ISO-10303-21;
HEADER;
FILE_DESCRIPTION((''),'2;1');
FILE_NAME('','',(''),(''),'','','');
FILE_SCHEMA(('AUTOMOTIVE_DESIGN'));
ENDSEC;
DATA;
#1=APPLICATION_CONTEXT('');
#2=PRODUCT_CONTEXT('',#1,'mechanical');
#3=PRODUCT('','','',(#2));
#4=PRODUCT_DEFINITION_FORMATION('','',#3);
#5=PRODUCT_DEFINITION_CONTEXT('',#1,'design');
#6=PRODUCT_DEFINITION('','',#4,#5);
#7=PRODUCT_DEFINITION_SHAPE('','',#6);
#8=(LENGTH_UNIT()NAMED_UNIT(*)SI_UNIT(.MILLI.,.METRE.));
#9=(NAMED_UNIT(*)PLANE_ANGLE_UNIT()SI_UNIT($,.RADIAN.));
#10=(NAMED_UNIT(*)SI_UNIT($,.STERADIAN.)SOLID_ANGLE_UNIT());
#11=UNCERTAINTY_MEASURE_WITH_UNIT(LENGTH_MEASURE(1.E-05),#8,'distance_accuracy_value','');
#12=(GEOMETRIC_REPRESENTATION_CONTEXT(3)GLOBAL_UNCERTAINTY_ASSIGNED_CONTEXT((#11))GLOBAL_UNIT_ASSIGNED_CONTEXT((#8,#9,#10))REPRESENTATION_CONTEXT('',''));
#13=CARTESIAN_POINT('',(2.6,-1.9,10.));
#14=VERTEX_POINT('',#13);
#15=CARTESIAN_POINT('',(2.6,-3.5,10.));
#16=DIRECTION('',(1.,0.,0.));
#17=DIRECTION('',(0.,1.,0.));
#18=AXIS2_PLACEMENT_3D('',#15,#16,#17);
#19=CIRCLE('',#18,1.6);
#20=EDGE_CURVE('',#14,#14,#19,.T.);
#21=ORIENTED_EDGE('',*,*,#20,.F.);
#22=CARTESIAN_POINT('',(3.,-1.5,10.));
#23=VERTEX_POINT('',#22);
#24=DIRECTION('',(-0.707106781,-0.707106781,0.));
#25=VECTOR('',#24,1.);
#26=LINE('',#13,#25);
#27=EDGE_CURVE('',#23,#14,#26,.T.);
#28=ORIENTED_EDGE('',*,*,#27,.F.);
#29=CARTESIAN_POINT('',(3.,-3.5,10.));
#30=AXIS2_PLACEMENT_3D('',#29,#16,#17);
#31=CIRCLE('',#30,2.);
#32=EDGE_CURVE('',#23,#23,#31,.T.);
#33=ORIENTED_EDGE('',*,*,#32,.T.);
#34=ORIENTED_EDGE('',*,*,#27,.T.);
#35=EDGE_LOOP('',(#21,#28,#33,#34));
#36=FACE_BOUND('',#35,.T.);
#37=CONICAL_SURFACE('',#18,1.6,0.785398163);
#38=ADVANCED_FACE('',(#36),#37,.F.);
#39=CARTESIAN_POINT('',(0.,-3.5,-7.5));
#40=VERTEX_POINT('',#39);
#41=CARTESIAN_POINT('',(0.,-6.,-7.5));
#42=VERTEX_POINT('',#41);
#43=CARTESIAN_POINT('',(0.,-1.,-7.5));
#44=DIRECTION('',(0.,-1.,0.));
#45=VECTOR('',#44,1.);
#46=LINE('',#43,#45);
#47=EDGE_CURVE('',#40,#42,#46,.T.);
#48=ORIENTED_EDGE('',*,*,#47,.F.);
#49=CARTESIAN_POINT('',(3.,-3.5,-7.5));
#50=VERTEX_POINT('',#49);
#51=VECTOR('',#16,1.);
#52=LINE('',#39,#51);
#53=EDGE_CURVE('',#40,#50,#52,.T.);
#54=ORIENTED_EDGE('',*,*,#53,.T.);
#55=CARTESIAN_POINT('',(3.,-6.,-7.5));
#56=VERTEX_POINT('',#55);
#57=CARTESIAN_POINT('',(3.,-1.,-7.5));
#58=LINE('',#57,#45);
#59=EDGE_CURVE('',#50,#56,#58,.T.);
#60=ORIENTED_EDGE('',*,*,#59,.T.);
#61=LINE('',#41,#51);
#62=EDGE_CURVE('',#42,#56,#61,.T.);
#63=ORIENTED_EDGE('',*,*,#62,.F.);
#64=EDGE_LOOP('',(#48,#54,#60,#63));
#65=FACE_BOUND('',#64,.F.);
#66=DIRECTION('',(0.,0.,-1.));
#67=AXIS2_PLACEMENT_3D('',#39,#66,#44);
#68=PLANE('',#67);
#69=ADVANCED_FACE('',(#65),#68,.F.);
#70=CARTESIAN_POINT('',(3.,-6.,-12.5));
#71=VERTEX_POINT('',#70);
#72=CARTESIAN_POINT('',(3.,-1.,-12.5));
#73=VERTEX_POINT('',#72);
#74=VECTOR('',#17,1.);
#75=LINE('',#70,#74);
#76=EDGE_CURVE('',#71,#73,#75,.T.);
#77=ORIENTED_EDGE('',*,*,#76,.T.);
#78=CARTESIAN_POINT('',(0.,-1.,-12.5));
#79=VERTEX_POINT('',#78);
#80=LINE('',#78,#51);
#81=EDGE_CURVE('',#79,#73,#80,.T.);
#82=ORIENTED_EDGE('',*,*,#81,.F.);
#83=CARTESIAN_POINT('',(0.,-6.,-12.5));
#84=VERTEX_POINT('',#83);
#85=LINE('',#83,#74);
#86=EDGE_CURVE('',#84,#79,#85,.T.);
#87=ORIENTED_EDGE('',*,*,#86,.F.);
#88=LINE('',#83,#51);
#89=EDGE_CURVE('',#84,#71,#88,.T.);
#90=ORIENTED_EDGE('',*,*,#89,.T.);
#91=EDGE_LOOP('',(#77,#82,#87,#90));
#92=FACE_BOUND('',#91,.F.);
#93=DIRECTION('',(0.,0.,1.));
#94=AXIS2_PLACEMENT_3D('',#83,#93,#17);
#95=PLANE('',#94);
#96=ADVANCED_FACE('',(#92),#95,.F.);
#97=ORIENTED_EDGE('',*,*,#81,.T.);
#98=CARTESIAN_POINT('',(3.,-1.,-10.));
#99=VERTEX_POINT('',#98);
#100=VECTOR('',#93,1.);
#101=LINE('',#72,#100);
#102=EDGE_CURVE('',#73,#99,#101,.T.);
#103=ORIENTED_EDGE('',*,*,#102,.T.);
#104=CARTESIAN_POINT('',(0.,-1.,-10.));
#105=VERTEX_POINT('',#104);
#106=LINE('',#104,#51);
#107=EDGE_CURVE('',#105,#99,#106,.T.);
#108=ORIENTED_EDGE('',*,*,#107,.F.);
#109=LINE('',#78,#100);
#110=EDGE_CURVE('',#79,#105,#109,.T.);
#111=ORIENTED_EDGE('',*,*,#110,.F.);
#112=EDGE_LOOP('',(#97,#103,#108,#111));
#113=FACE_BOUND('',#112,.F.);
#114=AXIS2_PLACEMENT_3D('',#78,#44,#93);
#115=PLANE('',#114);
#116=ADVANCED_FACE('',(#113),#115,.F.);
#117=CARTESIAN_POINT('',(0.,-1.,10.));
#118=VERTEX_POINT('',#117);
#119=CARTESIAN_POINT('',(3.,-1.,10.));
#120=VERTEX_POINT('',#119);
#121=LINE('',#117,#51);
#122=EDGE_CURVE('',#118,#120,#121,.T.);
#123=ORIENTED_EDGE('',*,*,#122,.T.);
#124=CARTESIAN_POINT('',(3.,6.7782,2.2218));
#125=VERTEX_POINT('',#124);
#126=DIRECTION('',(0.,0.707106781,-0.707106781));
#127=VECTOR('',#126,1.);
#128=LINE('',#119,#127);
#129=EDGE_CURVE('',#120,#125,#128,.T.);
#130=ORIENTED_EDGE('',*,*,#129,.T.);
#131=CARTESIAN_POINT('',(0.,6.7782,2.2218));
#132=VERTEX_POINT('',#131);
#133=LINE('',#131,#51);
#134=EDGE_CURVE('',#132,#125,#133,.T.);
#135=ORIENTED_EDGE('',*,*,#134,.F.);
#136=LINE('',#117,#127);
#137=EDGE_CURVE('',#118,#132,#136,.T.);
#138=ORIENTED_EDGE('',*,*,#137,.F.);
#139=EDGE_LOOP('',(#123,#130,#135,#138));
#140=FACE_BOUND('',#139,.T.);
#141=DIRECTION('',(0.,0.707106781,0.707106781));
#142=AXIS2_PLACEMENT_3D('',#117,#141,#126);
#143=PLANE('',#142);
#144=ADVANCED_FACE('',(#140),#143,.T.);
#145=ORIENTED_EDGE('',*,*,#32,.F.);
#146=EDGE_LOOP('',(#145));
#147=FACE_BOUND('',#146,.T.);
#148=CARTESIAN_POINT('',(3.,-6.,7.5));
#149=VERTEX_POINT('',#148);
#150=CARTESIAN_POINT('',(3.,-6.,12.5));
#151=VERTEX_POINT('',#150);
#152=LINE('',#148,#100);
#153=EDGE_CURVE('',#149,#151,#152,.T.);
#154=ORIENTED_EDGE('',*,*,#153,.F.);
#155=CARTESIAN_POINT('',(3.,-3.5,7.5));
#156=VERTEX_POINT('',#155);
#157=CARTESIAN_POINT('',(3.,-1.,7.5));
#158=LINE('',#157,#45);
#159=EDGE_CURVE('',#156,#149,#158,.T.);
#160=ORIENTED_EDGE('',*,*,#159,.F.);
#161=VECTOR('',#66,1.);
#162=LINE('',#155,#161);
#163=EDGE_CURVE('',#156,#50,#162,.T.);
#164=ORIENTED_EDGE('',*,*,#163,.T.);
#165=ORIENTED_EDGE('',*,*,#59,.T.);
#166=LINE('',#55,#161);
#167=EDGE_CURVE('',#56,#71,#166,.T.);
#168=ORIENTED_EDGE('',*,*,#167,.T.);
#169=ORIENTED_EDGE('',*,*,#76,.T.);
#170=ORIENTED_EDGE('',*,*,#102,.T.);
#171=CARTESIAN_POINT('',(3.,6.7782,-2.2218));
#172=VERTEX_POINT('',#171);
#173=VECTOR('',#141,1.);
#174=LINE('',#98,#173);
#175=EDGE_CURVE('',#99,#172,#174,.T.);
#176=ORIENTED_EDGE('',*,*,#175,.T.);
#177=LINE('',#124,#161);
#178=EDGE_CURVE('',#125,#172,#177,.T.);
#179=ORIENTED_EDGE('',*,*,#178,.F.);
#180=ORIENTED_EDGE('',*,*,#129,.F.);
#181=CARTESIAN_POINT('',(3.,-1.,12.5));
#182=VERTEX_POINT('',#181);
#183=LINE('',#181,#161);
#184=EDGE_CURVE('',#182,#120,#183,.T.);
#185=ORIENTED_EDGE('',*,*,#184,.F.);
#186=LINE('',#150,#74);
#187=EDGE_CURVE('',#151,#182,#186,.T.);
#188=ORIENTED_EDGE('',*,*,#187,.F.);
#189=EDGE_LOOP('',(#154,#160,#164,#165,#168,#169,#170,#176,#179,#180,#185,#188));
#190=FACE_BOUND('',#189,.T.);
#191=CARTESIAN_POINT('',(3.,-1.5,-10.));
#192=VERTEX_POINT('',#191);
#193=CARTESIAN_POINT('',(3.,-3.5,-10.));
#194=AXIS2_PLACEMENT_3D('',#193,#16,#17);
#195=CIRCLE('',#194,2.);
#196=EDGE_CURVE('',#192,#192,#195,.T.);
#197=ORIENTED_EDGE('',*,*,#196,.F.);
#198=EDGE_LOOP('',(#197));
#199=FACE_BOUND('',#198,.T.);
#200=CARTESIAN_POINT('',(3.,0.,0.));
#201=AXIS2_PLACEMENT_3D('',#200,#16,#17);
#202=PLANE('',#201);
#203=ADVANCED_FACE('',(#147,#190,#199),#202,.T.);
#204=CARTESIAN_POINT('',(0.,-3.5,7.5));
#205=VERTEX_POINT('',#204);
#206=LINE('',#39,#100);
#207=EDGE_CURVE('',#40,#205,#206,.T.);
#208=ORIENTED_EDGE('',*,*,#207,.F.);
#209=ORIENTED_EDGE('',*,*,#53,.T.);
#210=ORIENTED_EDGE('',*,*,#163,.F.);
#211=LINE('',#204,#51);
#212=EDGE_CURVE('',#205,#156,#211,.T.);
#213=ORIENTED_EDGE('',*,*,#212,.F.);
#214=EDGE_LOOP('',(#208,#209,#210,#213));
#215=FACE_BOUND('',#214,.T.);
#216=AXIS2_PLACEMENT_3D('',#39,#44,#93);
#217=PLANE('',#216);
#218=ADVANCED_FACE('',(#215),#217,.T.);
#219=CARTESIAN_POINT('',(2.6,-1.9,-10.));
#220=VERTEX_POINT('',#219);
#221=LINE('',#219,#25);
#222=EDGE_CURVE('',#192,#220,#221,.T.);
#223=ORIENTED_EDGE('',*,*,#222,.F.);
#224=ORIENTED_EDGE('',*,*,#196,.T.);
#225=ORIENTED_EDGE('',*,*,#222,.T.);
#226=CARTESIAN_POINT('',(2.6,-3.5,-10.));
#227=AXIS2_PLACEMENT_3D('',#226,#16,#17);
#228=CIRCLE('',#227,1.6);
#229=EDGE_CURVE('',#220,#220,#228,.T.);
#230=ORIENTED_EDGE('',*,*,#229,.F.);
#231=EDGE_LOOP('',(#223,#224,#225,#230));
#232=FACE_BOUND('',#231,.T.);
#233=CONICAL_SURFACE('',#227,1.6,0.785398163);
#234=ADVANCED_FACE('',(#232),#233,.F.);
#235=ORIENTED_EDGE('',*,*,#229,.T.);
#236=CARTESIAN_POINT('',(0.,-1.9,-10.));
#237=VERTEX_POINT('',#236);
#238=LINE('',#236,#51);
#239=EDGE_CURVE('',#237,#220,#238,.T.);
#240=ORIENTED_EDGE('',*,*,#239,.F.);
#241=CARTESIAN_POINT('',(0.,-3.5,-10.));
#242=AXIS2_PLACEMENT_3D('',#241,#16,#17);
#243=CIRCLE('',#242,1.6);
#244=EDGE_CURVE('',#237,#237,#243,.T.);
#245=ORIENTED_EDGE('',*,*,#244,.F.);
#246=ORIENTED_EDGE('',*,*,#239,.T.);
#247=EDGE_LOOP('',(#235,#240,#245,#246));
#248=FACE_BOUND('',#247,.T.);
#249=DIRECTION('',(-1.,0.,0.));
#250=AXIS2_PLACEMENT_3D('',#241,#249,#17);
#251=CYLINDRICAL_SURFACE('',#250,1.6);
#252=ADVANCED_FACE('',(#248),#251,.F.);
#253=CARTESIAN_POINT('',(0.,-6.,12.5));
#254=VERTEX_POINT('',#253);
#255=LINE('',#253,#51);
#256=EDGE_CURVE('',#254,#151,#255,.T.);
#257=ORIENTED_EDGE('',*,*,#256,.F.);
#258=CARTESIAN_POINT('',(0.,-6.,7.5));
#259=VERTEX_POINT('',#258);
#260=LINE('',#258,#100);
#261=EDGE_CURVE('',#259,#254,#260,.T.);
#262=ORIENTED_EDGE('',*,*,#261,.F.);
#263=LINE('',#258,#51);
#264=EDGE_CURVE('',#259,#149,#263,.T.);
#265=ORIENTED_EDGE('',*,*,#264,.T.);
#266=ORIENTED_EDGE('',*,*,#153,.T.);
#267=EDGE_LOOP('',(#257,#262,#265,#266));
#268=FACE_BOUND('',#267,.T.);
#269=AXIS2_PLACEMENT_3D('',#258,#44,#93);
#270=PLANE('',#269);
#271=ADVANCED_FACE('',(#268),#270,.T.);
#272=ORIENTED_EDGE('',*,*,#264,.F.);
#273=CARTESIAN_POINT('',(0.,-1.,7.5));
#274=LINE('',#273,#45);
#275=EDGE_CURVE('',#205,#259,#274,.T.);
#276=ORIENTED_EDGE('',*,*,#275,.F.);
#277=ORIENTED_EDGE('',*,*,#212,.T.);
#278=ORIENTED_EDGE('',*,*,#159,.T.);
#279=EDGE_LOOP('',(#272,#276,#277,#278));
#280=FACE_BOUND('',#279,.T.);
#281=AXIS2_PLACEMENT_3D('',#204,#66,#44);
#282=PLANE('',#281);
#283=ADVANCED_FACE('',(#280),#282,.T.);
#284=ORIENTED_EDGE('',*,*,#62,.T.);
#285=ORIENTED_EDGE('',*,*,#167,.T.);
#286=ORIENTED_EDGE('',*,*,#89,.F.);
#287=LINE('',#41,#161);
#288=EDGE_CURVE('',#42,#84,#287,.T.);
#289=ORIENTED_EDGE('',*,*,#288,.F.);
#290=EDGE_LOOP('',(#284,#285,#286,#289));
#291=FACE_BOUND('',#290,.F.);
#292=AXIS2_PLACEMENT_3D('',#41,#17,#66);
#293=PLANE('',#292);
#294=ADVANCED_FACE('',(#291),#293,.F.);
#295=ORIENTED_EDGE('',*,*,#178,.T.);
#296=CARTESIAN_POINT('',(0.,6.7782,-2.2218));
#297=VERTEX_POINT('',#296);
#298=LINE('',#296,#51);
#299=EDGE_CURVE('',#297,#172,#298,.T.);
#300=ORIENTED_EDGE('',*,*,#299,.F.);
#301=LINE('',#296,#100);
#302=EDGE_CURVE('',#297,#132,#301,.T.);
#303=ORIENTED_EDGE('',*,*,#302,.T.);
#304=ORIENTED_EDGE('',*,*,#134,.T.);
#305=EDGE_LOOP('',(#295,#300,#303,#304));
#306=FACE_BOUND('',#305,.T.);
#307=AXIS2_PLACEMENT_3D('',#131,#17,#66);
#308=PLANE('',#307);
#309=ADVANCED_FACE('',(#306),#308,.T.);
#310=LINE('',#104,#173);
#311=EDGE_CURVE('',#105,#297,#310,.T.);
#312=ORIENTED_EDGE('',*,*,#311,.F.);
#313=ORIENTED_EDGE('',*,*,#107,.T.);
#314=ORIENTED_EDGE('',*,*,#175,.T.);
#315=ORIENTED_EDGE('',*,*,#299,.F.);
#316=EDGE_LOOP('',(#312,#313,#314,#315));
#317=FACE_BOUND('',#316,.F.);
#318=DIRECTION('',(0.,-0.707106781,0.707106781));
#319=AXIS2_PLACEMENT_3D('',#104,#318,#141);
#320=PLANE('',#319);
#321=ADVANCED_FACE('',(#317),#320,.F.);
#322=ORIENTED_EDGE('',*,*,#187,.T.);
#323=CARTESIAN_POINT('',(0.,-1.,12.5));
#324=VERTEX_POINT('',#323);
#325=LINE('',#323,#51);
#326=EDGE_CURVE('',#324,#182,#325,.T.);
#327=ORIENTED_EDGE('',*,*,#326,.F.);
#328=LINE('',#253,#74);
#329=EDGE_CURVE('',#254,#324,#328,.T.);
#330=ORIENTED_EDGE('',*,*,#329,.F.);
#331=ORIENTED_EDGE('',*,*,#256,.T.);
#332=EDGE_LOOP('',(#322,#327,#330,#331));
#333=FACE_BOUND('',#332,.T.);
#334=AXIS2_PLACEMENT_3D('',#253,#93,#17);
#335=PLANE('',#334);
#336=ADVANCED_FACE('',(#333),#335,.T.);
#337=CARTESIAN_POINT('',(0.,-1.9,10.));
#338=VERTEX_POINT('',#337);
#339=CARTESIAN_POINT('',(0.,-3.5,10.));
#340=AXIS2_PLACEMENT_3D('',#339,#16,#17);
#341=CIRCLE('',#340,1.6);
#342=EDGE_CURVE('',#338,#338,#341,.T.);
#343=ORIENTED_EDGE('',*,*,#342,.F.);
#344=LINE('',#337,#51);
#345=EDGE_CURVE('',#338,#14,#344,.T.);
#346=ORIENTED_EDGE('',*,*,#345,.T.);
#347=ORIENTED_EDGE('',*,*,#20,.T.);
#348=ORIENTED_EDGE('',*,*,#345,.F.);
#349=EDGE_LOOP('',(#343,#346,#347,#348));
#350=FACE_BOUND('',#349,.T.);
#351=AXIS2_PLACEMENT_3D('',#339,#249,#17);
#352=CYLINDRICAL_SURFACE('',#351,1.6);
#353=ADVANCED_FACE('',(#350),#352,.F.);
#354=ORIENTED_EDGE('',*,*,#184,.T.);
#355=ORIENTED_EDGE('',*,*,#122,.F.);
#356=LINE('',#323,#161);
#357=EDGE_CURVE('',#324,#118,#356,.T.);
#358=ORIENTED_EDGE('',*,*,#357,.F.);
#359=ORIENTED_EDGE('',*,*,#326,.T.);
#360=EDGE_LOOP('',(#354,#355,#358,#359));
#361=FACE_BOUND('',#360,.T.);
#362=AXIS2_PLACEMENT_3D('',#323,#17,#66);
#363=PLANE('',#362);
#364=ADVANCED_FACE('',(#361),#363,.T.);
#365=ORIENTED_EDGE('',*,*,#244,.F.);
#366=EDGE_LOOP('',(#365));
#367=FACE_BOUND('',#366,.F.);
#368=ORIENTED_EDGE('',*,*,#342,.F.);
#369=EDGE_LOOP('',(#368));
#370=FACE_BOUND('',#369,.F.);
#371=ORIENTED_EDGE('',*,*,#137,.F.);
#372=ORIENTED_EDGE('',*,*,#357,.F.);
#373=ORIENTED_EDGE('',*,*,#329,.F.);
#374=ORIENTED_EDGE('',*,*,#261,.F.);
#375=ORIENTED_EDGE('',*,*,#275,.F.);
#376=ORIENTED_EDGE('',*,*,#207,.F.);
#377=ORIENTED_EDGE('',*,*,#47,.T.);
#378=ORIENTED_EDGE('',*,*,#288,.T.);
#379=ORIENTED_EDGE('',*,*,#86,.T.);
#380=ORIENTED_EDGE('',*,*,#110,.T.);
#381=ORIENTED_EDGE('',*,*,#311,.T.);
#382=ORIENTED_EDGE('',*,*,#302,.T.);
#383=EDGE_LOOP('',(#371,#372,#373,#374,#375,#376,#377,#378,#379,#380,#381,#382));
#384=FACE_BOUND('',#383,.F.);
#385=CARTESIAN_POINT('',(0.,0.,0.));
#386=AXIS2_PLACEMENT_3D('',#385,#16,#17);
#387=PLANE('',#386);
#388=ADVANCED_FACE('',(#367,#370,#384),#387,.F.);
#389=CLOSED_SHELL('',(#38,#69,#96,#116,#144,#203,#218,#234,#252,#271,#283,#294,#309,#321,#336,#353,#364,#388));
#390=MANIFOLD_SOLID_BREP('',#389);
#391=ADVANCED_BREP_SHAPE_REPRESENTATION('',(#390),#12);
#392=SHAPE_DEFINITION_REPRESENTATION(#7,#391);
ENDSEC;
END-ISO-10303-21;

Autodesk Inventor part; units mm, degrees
ref_plane "YZ Plane" through (0, 0, 0) normal (1, 0, 0) x (0, 1, 0)
ref_plane "XZ Plane" through (0, 0, 0) normal (0, 1, 0) x (-1, 0, 0)
ref_plane "XY Plane" through (0, 0, 0) normal (0, 0, 1) x (1, 0, 0)
sketch "Sketch1" plane through (0, 0, 0) normal (1, 0, 0) x (0, 1, 0)
  line L0 (-1, 7.5) -> (-6, 7.5)
  line L1 (-6, 7.5) -> (-6, 12.5)
  line L2 (-6, 12.5) -> (-1, 12.5)
  line L3 (-1, 12.5) -> (-1, 7.5)
  circle A0 centre (-3.5, 10) radius 1.6
  line L4 (-3.5, 7.5) -> (0.277, 7.5) construction
  line L5 (-3.5, 7.5) -> (0.0775, 7.5) construction
  line L6 (-1, 10) -> (6.7782, 2.2218)
  line L7 (-1, 10) -> (10, 10) construction
  line L8 (6.7782, 2.2218) -> (6.7782, -1.9926)
  line L9 (-3.5, 7.5) -> (-3.5, 7.5)
  line L10 (-3.5, 7.5) -> (-3.5, 7.5) construction
  line L11 (-3.5, 7.5) -> (-3.5, 4.25)
  line L12 (3.8235, 0) -> (5.1347, 0) construction
  line L13 (-1, -7.5) -> (-6, -7.5)
  line L14 (-6, -7.5) -> (-6, -12.5)
  line L15 (-6, -12.5) -> (-1, -12.5)
  line L16 (-1, -12.5) -> (-1, -7.5)
  circle A1 centre (-3.5, -10) radius 1.6
  line L17 (-3.5, -7.5) -> (0.277, -7.5) construction
  line L18 (-3.5, -7.5) -> (0.0775, -7.5) construction
  line L19 (-1, -10) -> (6.7782, -2.2218)
  line L20 (-1, -10) -> (10, -10) construction
  line L21 (6.7782, -2.2218) -> (6.7782, -1.9926)
  line L22 (-3.5, -7.5) -> (-3.5, -7.5)
  line L23 (-3.5, -7.5) -> (-3.5, -7.5) construction
  line L24 (-3.5, -7.5) -> (-3.5, 4.25)
  point P0 (0, 0)
  point P1 (-3.5, 12.5)
  point P2 (-3.5, -12.5)
  dimension "d0" = 5
  dimension "d1" = 5
  dimension "d2" = 7.5
  dimension "d3" = 1
  dimension "d4" = 3.2
  dimension "d5" = 2.5
  dimension "d6" = 2.5
  dimension "d7" = 10
  dimension "d10" = 11
  dimension "d11" = 45
  dimension "d12" = 45
  dimension "d14" = 3.25
  dimension "d15" = 2.5
extrude "Extrusion1" add sketch "Sketch1" along normal blind 3
chamfer "Chamfer1" distance 0.4 angle 45 2 edges at (3, -5.1, 10) (3, -5.1, -10)
equation "\"d0\" = d1"
equation "\"d5\" = 0.5 * d0"
equation "\"d6\" = d5"
properties part number "stopka" material "Steel, High Strength, Low Alloy"
